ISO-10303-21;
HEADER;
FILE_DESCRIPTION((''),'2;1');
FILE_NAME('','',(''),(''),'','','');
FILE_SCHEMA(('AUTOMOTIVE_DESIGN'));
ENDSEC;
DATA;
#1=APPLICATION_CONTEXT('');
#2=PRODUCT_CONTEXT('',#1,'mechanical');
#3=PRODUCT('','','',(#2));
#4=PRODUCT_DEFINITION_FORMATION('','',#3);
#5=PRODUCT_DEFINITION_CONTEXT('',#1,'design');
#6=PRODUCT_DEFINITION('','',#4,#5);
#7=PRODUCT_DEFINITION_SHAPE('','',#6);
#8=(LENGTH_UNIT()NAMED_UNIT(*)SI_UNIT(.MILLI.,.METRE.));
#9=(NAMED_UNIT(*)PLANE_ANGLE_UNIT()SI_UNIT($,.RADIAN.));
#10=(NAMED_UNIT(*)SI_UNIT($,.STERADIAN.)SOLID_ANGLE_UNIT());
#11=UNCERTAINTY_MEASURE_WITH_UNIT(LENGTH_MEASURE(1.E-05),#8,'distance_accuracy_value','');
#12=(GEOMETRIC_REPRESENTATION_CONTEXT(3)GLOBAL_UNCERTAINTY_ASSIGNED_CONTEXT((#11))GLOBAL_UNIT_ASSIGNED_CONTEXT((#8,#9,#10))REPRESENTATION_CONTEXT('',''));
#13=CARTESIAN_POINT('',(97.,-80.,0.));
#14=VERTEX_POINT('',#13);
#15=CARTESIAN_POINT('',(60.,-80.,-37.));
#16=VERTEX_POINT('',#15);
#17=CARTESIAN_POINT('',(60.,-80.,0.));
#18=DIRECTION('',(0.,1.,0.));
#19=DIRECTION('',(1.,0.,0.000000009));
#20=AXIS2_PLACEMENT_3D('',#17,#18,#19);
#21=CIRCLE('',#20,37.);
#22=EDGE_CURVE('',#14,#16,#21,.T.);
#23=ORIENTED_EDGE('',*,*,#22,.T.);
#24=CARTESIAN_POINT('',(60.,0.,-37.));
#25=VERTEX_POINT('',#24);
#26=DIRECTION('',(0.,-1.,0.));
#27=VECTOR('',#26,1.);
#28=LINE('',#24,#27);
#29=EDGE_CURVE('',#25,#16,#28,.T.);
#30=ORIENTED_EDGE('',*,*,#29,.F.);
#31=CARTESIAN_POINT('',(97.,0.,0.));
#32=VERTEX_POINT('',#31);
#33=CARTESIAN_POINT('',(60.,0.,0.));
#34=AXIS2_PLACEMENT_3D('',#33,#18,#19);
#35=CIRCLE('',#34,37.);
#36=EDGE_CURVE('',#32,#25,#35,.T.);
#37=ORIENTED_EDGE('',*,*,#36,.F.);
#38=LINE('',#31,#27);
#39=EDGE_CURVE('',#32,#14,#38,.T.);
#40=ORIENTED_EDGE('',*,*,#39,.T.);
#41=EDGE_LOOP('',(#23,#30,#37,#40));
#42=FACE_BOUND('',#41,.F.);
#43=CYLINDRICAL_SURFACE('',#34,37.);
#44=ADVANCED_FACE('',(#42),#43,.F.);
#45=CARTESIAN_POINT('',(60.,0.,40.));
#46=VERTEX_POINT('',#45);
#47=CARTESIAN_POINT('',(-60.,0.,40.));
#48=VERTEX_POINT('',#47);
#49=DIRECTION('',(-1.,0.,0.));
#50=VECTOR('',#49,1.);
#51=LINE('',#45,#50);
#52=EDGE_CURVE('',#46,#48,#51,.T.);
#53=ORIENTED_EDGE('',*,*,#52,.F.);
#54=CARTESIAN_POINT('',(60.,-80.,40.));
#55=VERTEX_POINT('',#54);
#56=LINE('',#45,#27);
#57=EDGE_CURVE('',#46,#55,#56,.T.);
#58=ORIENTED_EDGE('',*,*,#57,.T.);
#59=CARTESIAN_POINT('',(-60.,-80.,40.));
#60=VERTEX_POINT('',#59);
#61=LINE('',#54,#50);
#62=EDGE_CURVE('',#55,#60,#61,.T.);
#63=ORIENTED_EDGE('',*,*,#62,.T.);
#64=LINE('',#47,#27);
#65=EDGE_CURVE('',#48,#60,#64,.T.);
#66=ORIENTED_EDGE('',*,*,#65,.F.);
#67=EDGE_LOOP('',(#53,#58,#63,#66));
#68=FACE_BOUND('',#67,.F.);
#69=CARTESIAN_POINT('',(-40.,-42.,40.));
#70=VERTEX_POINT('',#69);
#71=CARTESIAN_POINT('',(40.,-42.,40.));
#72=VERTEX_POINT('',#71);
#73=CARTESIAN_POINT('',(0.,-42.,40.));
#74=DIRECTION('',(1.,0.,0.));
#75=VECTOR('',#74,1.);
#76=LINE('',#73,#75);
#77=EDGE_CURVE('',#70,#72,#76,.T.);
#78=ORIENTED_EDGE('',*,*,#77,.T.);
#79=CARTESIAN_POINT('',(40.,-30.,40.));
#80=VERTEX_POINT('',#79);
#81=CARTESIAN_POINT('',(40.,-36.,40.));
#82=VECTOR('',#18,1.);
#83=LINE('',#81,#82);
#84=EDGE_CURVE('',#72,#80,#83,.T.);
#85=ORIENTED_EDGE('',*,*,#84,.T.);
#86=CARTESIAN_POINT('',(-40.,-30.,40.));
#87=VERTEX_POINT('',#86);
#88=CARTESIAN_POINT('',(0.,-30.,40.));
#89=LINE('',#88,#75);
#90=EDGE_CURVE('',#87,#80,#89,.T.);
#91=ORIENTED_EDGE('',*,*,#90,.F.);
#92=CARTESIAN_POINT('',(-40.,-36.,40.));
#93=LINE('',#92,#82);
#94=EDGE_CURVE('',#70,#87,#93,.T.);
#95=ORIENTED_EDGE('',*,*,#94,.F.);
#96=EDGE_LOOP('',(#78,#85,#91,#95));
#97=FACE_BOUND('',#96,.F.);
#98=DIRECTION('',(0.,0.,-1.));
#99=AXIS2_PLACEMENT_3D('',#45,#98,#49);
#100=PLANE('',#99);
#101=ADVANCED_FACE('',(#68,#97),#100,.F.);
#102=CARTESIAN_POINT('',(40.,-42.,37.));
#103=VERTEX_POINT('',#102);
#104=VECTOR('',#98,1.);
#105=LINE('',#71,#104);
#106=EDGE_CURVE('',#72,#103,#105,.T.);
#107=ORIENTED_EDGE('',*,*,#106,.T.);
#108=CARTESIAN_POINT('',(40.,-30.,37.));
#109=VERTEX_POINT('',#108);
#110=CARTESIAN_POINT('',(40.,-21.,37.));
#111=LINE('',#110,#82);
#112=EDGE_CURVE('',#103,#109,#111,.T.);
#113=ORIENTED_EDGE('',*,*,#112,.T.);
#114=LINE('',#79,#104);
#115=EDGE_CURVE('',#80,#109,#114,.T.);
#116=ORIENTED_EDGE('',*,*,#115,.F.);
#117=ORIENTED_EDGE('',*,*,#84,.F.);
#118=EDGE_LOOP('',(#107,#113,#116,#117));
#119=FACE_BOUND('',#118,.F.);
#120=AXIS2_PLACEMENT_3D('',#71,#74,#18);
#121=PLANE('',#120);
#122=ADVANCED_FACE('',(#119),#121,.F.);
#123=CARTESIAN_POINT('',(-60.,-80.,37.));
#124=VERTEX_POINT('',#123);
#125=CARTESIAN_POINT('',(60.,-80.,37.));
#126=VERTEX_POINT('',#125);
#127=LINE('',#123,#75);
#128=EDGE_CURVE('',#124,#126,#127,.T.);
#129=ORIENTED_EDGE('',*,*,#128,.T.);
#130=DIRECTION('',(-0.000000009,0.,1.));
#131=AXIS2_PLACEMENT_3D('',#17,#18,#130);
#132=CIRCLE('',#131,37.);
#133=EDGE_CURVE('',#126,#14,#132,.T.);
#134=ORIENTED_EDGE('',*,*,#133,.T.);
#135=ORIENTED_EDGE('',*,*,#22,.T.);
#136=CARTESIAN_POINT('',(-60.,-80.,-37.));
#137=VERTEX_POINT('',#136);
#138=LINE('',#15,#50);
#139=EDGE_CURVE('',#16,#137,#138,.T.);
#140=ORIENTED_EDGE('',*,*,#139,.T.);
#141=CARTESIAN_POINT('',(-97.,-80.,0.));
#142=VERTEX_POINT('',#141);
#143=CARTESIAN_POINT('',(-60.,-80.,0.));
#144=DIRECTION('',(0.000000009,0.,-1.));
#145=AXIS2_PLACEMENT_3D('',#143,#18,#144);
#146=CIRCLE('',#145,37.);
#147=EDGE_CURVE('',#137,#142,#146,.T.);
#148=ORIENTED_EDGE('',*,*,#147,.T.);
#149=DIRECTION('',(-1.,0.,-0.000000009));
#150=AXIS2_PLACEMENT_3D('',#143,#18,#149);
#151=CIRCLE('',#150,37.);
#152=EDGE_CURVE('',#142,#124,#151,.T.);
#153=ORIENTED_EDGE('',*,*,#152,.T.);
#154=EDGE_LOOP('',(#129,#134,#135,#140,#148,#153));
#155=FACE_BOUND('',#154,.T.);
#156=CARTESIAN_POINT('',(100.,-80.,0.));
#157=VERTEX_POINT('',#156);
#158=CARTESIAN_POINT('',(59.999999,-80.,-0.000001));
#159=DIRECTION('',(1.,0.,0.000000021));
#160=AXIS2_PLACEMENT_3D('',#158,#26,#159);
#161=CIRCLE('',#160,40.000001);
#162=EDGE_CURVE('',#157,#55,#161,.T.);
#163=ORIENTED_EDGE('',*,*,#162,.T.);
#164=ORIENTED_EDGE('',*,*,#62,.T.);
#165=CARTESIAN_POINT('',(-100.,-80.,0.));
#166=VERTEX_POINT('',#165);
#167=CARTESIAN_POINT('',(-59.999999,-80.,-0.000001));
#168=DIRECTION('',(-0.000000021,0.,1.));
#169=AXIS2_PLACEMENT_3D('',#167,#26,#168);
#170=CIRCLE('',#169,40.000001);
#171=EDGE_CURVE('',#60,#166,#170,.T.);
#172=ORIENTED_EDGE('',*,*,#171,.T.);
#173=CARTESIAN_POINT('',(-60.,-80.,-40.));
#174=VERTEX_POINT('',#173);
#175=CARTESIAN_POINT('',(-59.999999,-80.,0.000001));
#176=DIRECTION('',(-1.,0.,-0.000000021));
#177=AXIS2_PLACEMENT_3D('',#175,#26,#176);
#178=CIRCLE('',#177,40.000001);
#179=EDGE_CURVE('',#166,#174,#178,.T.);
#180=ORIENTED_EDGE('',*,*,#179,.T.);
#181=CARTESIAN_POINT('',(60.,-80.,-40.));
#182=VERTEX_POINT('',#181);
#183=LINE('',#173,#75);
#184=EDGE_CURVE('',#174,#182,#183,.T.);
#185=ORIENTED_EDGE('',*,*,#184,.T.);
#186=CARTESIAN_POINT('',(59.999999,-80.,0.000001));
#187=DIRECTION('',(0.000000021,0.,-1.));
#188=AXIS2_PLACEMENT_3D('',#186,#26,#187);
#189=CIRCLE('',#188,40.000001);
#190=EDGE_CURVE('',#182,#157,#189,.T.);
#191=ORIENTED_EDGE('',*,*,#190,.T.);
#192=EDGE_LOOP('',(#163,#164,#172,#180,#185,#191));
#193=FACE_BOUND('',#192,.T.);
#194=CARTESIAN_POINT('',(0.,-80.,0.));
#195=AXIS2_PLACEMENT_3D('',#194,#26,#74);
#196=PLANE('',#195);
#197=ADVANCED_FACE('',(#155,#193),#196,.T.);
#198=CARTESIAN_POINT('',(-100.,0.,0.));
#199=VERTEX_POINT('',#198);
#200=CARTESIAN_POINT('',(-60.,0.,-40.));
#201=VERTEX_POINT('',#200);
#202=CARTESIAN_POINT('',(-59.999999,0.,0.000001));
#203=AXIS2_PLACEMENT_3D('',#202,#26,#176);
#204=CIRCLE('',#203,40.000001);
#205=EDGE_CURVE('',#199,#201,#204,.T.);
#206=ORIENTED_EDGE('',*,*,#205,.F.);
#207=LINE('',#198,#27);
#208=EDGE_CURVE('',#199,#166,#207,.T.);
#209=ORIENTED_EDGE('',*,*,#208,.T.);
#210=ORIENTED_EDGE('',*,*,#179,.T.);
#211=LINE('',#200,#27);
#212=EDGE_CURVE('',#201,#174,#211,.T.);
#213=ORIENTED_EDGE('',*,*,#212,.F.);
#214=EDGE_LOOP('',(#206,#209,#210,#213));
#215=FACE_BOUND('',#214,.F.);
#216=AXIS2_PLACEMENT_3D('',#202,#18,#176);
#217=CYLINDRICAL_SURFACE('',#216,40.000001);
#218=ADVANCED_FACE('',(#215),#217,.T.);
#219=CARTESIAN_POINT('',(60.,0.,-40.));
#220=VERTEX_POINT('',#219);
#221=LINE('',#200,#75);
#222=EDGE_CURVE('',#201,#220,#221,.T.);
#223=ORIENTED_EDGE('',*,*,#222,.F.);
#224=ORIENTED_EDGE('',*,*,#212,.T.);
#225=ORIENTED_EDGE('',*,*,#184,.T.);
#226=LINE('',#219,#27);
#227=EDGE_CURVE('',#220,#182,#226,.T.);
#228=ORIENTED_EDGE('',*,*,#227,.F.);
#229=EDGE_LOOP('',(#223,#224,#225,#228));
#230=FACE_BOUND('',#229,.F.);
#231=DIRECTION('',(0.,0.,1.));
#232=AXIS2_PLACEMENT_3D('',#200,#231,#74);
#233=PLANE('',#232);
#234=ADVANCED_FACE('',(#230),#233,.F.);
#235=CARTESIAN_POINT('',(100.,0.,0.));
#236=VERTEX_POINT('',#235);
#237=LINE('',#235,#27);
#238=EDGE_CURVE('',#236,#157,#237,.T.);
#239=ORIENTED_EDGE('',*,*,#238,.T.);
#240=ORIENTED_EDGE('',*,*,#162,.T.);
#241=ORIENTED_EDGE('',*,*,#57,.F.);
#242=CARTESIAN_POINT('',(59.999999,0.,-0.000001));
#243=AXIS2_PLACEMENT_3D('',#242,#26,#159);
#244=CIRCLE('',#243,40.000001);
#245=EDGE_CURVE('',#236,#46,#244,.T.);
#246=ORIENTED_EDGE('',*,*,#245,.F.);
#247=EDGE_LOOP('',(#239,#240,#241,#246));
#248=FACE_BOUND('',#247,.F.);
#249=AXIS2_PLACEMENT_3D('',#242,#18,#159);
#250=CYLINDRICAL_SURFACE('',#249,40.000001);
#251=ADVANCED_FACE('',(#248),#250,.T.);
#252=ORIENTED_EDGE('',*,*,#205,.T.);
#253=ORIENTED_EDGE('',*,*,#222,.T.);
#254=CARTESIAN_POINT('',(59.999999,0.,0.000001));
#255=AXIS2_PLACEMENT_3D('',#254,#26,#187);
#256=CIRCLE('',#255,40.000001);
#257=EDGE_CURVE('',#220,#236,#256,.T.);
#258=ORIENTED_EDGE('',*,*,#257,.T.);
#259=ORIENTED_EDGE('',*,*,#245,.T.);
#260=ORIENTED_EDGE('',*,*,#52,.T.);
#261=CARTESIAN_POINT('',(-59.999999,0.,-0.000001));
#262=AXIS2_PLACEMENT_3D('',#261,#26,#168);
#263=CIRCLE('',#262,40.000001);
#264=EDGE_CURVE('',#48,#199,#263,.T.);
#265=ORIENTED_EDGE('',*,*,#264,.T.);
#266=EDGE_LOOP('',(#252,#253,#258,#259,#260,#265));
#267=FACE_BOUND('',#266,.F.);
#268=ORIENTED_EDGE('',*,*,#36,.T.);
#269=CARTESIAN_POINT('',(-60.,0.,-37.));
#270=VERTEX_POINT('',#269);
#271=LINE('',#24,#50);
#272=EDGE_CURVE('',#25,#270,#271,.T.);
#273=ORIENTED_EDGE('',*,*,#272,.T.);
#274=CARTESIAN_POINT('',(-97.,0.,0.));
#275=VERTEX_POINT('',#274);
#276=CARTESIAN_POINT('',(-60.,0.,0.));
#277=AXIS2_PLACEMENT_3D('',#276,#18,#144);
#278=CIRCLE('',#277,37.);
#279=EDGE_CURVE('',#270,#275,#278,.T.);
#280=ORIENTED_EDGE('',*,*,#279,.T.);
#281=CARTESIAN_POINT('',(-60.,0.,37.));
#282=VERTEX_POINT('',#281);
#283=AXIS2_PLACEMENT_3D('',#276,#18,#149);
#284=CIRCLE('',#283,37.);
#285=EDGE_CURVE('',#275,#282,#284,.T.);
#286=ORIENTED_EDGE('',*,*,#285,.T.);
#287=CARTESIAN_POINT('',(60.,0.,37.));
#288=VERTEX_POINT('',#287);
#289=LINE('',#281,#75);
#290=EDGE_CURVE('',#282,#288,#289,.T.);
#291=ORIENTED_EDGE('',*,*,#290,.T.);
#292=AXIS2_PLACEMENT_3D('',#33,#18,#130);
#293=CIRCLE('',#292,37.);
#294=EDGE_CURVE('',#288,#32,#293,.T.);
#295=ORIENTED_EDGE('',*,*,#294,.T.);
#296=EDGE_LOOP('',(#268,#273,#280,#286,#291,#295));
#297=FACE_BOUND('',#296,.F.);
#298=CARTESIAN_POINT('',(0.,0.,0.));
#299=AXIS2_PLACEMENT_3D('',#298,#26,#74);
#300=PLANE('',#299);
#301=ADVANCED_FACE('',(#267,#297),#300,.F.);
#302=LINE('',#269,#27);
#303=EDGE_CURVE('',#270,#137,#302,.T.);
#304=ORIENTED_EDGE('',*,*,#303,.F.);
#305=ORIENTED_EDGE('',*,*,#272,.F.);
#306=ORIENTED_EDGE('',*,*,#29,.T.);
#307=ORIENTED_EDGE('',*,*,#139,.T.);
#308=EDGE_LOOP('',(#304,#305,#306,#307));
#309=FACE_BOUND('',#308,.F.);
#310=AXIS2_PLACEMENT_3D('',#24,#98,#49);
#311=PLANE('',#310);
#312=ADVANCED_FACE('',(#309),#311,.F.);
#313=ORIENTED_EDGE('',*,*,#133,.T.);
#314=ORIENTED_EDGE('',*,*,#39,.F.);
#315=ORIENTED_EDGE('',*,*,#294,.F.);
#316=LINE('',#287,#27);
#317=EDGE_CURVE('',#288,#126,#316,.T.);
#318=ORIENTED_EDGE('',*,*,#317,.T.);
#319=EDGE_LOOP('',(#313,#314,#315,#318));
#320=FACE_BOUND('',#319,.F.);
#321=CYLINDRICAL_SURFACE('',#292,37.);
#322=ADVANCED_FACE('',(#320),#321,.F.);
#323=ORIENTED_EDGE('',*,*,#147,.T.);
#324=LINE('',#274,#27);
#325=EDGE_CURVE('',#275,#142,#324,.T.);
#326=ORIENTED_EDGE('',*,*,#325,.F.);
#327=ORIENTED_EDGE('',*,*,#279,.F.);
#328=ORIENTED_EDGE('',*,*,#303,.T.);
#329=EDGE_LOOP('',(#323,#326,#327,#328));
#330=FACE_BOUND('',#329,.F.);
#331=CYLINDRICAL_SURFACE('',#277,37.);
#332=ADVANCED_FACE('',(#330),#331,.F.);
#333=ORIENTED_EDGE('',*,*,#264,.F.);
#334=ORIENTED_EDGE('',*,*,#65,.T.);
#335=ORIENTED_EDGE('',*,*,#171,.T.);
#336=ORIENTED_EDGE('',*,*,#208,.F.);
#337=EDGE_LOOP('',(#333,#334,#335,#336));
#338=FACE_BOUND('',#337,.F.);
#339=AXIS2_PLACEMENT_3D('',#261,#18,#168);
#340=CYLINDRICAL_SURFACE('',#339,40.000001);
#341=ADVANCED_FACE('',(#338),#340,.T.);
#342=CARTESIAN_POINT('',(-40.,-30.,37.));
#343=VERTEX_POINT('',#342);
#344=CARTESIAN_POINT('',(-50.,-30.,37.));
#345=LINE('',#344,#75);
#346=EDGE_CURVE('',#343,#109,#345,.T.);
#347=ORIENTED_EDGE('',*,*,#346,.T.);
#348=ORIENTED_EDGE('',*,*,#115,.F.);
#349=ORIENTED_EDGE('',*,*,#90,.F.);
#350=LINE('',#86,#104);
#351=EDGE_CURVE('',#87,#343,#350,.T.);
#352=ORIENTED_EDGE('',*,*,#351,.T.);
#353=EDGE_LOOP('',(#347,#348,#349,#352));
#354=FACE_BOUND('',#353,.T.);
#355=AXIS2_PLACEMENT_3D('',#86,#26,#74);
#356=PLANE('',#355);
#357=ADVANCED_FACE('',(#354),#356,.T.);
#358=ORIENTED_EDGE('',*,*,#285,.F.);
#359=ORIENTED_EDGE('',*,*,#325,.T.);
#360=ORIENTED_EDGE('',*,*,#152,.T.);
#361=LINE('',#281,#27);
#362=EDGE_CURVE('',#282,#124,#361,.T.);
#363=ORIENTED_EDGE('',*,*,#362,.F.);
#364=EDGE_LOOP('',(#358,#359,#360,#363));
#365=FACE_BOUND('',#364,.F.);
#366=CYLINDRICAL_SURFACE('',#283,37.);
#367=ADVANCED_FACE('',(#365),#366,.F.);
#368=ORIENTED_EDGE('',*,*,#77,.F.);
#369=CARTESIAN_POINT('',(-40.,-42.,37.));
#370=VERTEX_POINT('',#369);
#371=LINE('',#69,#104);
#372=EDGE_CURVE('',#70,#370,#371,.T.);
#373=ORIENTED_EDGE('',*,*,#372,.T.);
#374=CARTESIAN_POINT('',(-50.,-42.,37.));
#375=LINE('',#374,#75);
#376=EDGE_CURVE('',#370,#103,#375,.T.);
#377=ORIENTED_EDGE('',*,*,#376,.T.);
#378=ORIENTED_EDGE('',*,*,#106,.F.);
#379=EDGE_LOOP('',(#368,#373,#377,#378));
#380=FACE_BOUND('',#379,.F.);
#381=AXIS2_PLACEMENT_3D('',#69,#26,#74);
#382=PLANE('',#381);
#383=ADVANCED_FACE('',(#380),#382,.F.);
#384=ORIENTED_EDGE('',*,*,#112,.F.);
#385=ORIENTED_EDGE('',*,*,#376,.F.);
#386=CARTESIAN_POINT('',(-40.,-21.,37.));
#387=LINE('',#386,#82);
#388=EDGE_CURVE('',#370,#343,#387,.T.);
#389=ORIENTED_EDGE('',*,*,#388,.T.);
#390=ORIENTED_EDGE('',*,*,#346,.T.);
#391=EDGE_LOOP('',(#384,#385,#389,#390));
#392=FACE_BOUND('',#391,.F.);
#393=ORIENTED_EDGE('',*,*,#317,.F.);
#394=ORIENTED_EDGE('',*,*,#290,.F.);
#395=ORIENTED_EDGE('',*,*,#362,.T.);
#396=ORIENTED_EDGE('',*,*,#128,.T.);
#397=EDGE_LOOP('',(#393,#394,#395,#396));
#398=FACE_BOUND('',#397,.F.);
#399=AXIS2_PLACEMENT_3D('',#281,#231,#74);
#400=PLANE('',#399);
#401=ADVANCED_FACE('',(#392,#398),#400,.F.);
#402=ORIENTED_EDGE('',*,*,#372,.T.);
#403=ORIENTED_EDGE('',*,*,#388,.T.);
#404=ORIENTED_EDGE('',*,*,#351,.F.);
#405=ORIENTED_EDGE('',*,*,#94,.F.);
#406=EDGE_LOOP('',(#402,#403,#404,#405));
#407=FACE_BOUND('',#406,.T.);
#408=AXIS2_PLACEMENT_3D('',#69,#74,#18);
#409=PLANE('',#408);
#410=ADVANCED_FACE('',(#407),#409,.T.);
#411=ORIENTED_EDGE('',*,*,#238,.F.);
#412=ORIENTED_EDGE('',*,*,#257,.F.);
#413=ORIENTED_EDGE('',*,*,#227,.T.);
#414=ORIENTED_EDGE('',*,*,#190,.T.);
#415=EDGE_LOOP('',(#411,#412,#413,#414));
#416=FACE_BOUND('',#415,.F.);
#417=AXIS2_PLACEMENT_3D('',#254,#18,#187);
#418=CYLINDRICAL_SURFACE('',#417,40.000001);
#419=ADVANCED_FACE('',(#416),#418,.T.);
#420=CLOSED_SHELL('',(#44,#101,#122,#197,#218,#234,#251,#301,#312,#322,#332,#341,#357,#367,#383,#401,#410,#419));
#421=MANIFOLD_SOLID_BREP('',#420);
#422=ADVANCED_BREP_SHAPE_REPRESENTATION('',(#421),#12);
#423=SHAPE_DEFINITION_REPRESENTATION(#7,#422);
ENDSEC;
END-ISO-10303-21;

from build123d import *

# Parameters (mm, degrees)
F1_DEPTH = 80
F2_W     = 80
F2_H     = 12
F3_DEPTH = 25


with BuildPart() as f1:
    # F0 (on Front) → F1 (new body)
    with BuildSketch(Plane.XZ):
        with BuildLine():
            Line((60, 40), (-60, 40))
            ThreePointArc((-60, 40), (-88.284271, 28.284271), (-100, 0))
            ThreePointArc((-100, 0), (-88.284271, -28.284271), (-60, -40))
            Line((-60, -40), (60, -40))
            ThreePointArc((60, -40), (88.284271, -28.284271), (100, 0))
            ThreePointArc((100, 0), (88.284271, 28.284271), (60, 40))
        make_face()
        with BuildLine():
            ThreePointArc((-97, 0), (-86.162951, 26.162951), (-60, 37))
            Line((-60, 37), (60, 37))
            ThreePointArc((60, 37), (86.162951, 26.162951), (97, 0))
            ThreePointArc((97, 0), (86.162951, -26.162951), (60, -37))
            Line((60, -37), (-60, -37))
            ThreePointArc((-60, -37), (-86.162951, -26.162951), (-97, 0))
        make_face(mode=Mode.SUBTRACT)
    extrude(amount=F1_DEPTH)

    # F2 (on face) → F3 (cut)
    with BuildSketch(Plane.XY.offset(40)):
        with Locations((0, -36)):
            Rectangle(F2_W, F2_H)
    extrude(amount=-F3_DEPTH, mode=Mode.SUBTRACT)


solid = f1.part
